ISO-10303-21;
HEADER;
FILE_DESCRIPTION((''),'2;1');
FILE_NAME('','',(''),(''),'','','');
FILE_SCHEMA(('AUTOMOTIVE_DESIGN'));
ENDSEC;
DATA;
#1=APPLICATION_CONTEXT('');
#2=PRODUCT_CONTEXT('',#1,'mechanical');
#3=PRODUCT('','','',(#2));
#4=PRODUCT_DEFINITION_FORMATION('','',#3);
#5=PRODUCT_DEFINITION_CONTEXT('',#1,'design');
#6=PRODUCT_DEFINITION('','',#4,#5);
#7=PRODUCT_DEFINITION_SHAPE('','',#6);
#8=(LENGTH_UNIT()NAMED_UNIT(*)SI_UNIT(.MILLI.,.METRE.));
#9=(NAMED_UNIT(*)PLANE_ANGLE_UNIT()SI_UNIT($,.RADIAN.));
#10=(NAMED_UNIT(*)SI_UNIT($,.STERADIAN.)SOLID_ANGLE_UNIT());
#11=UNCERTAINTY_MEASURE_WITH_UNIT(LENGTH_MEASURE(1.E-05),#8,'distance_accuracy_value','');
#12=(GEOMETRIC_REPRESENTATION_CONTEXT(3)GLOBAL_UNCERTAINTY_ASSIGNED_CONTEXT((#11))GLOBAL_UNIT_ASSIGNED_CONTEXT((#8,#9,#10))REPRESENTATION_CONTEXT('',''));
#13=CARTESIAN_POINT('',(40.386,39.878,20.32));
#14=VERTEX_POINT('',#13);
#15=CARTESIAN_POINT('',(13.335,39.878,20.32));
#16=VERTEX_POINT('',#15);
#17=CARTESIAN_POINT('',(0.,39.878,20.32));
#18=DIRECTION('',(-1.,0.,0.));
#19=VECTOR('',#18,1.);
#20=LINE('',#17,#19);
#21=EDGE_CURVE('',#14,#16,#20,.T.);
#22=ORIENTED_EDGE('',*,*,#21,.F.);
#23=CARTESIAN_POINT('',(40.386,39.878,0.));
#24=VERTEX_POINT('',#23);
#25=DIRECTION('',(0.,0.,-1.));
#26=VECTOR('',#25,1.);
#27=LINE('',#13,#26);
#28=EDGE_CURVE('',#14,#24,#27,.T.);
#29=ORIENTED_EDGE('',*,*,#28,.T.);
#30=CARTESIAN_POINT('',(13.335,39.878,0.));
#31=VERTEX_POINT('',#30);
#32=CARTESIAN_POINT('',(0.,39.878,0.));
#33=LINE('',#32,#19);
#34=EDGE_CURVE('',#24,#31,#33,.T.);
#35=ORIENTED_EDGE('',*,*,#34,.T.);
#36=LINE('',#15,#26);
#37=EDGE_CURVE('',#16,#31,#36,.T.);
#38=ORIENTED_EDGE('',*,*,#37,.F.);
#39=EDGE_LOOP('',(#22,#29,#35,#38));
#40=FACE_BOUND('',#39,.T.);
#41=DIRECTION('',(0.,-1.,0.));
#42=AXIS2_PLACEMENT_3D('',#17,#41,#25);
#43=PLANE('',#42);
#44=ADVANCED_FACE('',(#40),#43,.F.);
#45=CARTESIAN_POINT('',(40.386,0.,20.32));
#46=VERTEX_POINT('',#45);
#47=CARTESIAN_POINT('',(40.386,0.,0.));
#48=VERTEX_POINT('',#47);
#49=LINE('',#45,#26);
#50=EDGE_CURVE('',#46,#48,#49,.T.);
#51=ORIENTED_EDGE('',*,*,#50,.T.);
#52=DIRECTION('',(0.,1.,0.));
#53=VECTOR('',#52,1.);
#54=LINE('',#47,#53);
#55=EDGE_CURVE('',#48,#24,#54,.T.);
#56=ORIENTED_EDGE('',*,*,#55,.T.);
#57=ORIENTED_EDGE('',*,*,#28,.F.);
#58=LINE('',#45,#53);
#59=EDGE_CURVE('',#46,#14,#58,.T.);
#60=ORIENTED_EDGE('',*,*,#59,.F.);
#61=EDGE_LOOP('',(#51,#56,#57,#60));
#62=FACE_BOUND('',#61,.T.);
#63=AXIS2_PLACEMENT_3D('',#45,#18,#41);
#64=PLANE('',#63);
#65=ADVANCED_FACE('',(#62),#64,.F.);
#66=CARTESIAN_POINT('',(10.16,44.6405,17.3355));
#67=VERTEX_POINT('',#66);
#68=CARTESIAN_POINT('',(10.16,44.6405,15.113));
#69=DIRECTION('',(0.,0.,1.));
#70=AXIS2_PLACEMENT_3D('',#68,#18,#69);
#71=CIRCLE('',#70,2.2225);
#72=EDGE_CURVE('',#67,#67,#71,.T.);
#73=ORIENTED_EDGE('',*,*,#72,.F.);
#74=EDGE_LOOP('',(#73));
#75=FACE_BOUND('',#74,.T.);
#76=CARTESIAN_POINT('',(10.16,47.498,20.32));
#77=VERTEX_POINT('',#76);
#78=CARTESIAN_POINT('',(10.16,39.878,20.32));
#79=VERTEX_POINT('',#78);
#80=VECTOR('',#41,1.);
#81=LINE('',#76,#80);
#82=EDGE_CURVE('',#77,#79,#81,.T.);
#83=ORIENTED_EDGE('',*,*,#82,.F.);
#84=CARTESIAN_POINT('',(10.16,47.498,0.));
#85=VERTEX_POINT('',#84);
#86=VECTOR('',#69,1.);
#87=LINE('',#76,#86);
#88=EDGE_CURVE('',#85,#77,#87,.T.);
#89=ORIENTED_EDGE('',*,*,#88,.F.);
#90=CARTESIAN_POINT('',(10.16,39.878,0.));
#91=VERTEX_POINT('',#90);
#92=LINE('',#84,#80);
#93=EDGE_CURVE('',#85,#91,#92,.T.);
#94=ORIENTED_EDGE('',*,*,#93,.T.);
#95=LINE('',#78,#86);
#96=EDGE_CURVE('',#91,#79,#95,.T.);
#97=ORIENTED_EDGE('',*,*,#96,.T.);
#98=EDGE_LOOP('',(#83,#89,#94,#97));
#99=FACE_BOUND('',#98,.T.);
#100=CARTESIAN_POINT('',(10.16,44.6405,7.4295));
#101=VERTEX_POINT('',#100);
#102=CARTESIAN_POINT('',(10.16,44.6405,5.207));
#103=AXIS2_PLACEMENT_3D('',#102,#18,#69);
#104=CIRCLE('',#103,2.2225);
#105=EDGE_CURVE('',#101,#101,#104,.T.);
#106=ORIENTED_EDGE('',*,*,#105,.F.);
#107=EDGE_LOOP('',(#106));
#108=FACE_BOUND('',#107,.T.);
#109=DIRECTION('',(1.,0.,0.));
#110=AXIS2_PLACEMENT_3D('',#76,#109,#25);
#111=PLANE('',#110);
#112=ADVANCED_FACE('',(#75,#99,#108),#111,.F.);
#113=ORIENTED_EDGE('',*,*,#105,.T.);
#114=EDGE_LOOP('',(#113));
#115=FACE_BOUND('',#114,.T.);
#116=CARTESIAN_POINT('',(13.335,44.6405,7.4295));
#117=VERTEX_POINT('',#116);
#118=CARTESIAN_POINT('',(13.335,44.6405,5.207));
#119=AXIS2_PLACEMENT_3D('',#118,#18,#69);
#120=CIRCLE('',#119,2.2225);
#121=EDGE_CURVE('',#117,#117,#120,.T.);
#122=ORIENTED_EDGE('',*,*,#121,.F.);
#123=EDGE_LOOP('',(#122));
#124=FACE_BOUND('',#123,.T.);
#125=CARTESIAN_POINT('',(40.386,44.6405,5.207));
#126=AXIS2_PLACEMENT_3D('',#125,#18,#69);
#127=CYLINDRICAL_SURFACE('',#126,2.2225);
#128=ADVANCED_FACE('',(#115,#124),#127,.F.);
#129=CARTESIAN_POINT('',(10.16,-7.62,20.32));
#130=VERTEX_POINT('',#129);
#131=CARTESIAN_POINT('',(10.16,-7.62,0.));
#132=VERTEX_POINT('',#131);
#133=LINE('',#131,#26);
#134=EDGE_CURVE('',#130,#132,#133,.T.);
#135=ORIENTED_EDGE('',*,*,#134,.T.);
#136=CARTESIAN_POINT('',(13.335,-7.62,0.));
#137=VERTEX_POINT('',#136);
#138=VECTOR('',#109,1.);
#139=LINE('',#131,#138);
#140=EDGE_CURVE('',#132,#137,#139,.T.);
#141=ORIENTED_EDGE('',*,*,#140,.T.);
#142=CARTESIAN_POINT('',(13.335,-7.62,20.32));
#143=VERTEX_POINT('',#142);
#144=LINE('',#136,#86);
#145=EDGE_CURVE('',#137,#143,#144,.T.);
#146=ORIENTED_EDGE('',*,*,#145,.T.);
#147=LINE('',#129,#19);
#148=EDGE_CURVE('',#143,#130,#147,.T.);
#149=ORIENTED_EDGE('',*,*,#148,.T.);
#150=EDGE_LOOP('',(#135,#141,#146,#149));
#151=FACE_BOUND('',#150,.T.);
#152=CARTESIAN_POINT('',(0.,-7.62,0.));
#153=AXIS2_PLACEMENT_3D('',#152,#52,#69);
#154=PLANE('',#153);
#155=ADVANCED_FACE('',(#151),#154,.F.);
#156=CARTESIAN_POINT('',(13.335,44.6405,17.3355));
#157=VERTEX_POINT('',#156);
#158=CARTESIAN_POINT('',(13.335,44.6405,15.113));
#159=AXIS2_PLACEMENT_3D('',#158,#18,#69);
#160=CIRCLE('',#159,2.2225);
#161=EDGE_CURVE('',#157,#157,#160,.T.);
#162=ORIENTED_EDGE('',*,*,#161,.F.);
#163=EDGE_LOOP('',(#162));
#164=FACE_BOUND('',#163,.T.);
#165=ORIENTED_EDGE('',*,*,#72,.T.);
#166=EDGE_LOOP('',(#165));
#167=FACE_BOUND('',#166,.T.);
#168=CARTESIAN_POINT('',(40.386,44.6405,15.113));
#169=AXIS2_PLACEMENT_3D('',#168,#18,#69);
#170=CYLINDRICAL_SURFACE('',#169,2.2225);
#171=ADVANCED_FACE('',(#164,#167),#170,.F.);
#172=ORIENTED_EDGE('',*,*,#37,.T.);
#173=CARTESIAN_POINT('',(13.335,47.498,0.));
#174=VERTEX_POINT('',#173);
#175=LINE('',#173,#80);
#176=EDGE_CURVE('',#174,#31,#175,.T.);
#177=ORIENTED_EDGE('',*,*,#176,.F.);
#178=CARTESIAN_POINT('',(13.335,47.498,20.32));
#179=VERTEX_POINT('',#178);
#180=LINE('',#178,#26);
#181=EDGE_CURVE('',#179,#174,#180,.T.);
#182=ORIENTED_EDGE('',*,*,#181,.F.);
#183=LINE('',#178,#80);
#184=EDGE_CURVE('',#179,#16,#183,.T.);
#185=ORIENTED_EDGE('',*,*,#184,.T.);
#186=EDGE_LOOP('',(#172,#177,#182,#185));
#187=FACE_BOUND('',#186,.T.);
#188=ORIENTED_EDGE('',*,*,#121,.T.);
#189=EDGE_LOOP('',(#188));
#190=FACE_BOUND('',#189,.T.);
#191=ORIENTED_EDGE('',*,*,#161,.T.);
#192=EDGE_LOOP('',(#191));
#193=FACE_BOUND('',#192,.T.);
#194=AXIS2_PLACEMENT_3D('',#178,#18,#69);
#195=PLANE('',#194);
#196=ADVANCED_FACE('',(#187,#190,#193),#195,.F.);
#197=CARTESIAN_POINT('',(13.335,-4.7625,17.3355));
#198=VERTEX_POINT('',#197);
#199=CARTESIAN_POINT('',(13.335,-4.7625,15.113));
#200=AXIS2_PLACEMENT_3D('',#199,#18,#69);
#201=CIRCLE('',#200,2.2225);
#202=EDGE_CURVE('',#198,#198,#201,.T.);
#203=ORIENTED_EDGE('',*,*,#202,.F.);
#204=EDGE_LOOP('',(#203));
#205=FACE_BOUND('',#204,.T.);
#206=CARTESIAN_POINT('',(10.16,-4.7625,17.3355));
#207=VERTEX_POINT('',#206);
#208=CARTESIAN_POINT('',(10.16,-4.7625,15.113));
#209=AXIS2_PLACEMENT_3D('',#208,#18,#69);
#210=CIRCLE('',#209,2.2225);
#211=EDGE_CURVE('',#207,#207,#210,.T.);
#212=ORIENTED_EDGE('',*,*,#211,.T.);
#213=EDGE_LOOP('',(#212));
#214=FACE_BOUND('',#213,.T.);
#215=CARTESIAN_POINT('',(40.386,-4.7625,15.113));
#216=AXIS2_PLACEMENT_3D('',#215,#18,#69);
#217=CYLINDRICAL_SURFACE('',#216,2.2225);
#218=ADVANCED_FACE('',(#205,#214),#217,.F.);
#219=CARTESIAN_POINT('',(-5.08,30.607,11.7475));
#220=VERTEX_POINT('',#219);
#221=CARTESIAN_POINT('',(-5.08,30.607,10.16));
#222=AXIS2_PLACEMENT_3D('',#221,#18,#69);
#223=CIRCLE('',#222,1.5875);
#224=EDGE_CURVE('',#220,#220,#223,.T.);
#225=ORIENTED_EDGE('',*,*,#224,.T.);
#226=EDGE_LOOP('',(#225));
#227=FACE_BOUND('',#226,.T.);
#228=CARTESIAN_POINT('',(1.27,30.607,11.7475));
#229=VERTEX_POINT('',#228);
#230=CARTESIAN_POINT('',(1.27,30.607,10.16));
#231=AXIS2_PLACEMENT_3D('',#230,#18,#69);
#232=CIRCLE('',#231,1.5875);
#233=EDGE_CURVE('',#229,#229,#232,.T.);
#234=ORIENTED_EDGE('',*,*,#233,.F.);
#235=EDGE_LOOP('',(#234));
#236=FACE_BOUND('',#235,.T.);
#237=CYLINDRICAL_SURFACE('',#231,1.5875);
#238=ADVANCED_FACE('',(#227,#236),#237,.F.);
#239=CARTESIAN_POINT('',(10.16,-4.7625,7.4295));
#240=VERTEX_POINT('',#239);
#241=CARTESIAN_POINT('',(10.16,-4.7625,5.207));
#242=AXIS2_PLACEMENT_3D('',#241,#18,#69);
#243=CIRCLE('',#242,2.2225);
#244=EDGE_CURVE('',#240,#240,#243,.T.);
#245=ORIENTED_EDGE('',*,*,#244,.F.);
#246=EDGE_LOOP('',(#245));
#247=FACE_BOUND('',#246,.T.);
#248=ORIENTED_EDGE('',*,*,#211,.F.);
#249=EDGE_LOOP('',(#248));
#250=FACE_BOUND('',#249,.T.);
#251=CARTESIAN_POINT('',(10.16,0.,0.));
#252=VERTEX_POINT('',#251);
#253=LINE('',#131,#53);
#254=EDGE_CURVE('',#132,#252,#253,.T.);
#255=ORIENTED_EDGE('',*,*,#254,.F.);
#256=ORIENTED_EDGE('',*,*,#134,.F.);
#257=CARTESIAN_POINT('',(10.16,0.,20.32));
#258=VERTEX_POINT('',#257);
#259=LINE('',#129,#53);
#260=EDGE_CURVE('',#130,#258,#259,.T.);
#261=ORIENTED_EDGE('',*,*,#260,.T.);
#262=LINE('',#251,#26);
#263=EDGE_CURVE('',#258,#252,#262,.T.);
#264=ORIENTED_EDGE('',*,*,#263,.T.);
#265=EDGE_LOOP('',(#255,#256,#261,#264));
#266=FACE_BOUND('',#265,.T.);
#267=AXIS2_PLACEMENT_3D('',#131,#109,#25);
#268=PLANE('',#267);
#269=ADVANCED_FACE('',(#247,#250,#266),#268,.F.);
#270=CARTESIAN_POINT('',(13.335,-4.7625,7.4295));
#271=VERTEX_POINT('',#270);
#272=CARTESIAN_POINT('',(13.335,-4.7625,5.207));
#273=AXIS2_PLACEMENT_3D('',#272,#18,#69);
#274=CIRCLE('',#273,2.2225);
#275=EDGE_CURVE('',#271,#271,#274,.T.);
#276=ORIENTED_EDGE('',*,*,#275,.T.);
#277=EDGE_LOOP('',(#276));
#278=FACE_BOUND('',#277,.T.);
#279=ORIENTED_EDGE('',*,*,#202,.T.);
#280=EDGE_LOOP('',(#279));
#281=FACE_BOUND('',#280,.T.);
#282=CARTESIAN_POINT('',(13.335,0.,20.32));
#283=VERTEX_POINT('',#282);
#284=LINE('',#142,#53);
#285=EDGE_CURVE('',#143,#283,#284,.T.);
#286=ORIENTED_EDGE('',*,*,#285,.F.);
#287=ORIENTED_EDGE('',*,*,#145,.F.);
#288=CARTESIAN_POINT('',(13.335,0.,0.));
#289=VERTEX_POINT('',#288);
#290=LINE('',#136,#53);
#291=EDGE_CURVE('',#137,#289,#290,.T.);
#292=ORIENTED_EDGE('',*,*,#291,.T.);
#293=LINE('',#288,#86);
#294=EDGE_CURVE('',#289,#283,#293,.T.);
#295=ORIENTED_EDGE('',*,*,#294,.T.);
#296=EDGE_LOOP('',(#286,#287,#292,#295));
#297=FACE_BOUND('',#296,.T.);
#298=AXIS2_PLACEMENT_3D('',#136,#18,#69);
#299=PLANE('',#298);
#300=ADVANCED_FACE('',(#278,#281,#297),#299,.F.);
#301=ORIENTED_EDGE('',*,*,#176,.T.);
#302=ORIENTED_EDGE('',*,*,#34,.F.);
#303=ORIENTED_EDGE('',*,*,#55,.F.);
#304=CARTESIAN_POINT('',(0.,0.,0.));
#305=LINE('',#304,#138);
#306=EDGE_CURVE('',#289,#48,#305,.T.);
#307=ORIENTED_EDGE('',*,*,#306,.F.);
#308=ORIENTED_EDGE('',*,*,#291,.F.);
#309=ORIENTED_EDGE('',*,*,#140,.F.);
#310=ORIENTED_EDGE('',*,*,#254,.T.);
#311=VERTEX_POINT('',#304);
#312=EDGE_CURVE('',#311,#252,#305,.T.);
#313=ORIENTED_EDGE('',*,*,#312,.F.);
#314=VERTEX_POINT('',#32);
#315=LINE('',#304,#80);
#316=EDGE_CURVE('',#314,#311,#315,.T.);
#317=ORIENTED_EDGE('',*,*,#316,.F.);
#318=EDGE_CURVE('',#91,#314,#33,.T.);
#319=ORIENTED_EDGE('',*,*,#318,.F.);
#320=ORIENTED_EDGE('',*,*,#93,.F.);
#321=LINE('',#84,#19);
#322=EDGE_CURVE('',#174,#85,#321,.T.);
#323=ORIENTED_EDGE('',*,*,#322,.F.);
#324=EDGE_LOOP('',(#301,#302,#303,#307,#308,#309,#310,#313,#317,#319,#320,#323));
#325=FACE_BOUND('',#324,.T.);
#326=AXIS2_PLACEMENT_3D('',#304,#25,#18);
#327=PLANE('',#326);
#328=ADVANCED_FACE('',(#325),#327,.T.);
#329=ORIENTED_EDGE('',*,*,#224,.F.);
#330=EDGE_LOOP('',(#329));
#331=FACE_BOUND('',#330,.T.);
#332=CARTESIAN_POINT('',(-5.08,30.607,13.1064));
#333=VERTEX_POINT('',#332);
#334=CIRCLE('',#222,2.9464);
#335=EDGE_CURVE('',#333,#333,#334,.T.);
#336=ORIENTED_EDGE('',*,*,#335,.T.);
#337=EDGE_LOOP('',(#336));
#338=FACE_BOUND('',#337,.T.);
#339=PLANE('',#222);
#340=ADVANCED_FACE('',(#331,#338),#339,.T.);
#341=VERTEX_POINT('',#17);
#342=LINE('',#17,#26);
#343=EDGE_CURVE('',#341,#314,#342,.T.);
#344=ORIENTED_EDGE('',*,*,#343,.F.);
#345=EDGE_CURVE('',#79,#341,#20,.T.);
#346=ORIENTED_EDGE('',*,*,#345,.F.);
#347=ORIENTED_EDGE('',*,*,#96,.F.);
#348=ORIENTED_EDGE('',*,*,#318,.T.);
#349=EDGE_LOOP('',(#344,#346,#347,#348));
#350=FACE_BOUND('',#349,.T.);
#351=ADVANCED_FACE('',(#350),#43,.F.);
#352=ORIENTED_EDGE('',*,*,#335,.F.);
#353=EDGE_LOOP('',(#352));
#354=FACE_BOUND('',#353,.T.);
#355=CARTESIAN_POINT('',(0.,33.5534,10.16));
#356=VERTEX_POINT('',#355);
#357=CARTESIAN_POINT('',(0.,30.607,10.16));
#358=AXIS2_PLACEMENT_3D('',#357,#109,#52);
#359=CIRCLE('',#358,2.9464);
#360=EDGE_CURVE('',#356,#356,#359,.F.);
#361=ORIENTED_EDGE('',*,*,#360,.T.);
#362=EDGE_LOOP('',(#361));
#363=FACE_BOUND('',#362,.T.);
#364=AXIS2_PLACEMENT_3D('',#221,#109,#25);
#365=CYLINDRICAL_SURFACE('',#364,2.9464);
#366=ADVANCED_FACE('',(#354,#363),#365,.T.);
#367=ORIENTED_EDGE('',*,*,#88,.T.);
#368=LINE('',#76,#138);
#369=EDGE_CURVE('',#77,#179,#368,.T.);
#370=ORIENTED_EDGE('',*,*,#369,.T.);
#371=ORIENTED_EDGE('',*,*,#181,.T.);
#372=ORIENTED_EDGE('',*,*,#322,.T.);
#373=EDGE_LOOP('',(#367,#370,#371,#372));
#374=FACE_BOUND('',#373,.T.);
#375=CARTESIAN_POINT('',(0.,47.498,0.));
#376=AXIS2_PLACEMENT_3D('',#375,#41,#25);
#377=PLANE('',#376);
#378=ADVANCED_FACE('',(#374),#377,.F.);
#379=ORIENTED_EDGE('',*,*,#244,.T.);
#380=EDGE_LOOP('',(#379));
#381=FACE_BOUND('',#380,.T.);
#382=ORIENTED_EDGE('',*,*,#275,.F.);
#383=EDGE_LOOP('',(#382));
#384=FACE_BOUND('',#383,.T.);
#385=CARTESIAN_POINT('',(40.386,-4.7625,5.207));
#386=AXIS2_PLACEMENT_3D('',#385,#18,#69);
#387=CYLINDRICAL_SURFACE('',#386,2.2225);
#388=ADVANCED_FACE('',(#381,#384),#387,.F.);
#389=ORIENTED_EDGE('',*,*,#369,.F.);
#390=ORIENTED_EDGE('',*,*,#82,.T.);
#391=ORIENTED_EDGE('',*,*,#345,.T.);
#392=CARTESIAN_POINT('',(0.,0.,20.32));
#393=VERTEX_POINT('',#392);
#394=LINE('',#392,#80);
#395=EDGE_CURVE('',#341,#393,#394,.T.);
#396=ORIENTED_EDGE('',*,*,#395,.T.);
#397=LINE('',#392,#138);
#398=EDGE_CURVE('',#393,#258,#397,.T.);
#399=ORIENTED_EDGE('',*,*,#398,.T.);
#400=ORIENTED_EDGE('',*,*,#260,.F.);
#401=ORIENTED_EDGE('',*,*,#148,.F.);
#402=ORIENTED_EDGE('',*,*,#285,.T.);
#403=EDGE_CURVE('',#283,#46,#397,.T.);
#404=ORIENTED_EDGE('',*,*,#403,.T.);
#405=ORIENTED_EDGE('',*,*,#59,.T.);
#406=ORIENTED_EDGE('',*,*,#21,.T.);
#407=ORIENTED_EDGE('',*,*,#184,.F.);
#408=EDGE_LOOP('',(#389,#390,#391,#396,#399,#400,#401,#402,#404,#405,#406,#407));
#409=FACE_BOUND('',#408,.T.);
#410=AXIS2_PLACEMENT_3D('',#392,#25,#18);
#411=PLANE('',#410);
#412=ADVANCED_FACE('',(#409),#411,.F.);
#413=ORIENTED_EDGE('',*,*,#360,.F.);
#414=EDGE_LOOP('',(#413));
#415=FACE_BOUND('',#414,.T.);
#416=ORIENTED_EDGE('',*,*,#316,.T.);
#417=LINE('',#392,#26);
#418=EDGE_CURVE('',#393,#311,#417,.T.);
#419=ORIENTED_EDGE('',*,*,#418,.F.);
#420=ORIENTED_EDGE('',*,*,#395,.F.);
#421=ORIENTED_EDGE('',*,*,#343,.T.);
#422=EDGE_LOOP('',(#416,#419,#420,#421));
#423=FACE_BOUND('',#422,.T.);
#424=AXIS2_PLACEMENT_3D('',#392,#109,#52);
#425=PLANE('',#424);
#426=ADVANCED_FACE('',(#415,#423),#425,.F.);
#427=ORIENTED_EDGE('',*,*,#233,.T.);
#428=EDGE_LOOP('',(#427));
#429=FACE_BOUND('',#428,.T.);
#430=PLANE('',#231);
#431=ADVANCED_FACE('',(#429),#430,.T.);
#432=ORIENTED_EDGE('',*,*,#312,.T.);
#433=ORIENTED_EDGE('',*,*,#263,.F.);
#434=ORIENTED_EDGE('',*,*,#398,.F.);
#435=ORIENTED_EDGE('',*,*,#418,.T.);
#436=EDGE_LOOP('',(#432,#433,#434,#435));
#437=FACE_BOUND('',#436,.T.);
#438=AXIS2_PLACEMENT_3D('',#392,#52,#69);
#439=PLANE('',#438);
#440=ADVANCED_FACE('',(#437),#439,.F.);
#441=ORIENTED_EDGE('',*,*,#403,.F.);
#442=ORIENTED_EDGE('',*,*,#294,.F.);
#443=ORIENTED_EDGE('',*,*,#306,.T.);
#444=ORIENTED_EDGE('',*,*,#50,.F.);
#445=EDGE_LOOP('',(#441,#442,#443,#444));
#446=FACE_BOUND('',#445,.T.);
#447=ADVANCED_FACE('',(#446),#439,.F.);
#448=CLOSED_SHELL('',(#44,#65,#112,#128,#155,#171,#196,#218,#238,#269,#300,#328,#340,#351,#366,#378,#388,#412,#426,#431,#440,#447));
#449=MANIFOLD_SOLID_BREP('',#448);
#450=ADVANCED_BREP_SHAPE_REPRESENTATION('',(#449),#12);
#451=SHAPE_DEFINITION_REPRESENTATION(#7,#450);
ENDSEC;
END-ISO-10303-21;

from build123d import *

# Parameters (mm, degrees)
SKETCH1_W           = 40.386
SKETCH1_H           = 39.878
BOSS_EXTRUDE1_DEPTH = 20.32
SKETCH2_R           = 2.9464
BOSS_EXTRUDE2_DEPTH = 5.08
SKETCH3_W           = 3.175
SKETCH3_H           = 20.32
BOSS_EXTRUDE3_DEPTH = 7.62
SKETCH4_W           = 3.175
SKETCH4_H           = 20.32
BOSS_EXTRUDE4_DEPTH = 7.62
SKETCH5_R           = 2.2225
CUT_EXTRUDE1_DEPTH  = 60.854602831
SKETCH6_R           = 1.5875
CUT_EXTRUDE2_DEPTH  = 6.35
SKETCH7_R           = 2.2225
CUT_EXTRUDE3_DEPTH  = 60.854602831


with BuildPart() as part:
    # Sketch1 → Boss-Extrude1 (new body)
    with BuildSketch(Plane.XY):
        with Locations((20.193, 19.939)):
            Rectangle(SKETCH1_W, SKETCH1_H)
    extrude(amount=BOSS_EXTRUDE1_DEPTH)

    # Sketch2 → Boss-Extrude2 (add)
    with BuildSketch(Plane.ZY):
        with Locations(Location((10.16, 30.607, 0), (0, 0, 90))):
            Circle(SKETCH2_R)
    extrude(amount=BOSS_EXTRUDE2_DEPTH)

    # Sketch3 → Boss-Extrude3 (add)
    with BuildSketch(Plane(origin=(0, 39.878, 0), x_dir=(1, 0, 0), z_dir=(0, 1, 0))):
        with Locations((11.7475, -10.16)):
            Rectangle(SKETCH3_W, SKETCH3_H)
    extrude(amount=BOSS_EXTRUDE3_DEPTH)

    # Sketch4 → Boss-Extrude4 (add)
    with BuildSketch(Plane.XZ):
        with Locations((11.7475, 10.16)):
            Rectangle(SKETCH4_W, SKETCH4_H)
    extrude(amount=BOSS_EXTRUDE4_DEPTH)

    # Sketch5 → Cut-Extrude1 (cut, through all)
    with BuildSketch(Plane.ZY.offset(-10.16)):
        with Locations((5.207, 44.6405)):
            Circle(SKETCH5_R)
        with Locations((15.113, 44.6405)):
            Circle(SKETCH5_R)
    extrude(amount=-CUT_EXTRUDE1_DEPTH, mode=Mode.SUBTRACT)

    # Sketch6 → Cut-Extrude2 (cut)
    with BuildSketch(Plane.ZY.offset(5.08)):
        with Locations((10.16, 30.607)):
            Circle(SKETCH6_R)
    extrude(amount=-CUT_EXTRUDE2_DEPTH, mode=Mode.SUBTRACT)

    # Sketch7 → Cut-Extrude3 (cut, through all)
    with BuildSketch(Plane.ZY.offset(-10.16)):
        with Locations((15.113, -4.7625)):
            Circle(SKETCH7_R)
        with Locations((5.207, -4.7625)):
            Circle(SKETCH7_R)
    extrude(amount=-CUT_EXTRUDE3_DEPTH, mode=Mode.SUBTRACT)


solid = part.part
